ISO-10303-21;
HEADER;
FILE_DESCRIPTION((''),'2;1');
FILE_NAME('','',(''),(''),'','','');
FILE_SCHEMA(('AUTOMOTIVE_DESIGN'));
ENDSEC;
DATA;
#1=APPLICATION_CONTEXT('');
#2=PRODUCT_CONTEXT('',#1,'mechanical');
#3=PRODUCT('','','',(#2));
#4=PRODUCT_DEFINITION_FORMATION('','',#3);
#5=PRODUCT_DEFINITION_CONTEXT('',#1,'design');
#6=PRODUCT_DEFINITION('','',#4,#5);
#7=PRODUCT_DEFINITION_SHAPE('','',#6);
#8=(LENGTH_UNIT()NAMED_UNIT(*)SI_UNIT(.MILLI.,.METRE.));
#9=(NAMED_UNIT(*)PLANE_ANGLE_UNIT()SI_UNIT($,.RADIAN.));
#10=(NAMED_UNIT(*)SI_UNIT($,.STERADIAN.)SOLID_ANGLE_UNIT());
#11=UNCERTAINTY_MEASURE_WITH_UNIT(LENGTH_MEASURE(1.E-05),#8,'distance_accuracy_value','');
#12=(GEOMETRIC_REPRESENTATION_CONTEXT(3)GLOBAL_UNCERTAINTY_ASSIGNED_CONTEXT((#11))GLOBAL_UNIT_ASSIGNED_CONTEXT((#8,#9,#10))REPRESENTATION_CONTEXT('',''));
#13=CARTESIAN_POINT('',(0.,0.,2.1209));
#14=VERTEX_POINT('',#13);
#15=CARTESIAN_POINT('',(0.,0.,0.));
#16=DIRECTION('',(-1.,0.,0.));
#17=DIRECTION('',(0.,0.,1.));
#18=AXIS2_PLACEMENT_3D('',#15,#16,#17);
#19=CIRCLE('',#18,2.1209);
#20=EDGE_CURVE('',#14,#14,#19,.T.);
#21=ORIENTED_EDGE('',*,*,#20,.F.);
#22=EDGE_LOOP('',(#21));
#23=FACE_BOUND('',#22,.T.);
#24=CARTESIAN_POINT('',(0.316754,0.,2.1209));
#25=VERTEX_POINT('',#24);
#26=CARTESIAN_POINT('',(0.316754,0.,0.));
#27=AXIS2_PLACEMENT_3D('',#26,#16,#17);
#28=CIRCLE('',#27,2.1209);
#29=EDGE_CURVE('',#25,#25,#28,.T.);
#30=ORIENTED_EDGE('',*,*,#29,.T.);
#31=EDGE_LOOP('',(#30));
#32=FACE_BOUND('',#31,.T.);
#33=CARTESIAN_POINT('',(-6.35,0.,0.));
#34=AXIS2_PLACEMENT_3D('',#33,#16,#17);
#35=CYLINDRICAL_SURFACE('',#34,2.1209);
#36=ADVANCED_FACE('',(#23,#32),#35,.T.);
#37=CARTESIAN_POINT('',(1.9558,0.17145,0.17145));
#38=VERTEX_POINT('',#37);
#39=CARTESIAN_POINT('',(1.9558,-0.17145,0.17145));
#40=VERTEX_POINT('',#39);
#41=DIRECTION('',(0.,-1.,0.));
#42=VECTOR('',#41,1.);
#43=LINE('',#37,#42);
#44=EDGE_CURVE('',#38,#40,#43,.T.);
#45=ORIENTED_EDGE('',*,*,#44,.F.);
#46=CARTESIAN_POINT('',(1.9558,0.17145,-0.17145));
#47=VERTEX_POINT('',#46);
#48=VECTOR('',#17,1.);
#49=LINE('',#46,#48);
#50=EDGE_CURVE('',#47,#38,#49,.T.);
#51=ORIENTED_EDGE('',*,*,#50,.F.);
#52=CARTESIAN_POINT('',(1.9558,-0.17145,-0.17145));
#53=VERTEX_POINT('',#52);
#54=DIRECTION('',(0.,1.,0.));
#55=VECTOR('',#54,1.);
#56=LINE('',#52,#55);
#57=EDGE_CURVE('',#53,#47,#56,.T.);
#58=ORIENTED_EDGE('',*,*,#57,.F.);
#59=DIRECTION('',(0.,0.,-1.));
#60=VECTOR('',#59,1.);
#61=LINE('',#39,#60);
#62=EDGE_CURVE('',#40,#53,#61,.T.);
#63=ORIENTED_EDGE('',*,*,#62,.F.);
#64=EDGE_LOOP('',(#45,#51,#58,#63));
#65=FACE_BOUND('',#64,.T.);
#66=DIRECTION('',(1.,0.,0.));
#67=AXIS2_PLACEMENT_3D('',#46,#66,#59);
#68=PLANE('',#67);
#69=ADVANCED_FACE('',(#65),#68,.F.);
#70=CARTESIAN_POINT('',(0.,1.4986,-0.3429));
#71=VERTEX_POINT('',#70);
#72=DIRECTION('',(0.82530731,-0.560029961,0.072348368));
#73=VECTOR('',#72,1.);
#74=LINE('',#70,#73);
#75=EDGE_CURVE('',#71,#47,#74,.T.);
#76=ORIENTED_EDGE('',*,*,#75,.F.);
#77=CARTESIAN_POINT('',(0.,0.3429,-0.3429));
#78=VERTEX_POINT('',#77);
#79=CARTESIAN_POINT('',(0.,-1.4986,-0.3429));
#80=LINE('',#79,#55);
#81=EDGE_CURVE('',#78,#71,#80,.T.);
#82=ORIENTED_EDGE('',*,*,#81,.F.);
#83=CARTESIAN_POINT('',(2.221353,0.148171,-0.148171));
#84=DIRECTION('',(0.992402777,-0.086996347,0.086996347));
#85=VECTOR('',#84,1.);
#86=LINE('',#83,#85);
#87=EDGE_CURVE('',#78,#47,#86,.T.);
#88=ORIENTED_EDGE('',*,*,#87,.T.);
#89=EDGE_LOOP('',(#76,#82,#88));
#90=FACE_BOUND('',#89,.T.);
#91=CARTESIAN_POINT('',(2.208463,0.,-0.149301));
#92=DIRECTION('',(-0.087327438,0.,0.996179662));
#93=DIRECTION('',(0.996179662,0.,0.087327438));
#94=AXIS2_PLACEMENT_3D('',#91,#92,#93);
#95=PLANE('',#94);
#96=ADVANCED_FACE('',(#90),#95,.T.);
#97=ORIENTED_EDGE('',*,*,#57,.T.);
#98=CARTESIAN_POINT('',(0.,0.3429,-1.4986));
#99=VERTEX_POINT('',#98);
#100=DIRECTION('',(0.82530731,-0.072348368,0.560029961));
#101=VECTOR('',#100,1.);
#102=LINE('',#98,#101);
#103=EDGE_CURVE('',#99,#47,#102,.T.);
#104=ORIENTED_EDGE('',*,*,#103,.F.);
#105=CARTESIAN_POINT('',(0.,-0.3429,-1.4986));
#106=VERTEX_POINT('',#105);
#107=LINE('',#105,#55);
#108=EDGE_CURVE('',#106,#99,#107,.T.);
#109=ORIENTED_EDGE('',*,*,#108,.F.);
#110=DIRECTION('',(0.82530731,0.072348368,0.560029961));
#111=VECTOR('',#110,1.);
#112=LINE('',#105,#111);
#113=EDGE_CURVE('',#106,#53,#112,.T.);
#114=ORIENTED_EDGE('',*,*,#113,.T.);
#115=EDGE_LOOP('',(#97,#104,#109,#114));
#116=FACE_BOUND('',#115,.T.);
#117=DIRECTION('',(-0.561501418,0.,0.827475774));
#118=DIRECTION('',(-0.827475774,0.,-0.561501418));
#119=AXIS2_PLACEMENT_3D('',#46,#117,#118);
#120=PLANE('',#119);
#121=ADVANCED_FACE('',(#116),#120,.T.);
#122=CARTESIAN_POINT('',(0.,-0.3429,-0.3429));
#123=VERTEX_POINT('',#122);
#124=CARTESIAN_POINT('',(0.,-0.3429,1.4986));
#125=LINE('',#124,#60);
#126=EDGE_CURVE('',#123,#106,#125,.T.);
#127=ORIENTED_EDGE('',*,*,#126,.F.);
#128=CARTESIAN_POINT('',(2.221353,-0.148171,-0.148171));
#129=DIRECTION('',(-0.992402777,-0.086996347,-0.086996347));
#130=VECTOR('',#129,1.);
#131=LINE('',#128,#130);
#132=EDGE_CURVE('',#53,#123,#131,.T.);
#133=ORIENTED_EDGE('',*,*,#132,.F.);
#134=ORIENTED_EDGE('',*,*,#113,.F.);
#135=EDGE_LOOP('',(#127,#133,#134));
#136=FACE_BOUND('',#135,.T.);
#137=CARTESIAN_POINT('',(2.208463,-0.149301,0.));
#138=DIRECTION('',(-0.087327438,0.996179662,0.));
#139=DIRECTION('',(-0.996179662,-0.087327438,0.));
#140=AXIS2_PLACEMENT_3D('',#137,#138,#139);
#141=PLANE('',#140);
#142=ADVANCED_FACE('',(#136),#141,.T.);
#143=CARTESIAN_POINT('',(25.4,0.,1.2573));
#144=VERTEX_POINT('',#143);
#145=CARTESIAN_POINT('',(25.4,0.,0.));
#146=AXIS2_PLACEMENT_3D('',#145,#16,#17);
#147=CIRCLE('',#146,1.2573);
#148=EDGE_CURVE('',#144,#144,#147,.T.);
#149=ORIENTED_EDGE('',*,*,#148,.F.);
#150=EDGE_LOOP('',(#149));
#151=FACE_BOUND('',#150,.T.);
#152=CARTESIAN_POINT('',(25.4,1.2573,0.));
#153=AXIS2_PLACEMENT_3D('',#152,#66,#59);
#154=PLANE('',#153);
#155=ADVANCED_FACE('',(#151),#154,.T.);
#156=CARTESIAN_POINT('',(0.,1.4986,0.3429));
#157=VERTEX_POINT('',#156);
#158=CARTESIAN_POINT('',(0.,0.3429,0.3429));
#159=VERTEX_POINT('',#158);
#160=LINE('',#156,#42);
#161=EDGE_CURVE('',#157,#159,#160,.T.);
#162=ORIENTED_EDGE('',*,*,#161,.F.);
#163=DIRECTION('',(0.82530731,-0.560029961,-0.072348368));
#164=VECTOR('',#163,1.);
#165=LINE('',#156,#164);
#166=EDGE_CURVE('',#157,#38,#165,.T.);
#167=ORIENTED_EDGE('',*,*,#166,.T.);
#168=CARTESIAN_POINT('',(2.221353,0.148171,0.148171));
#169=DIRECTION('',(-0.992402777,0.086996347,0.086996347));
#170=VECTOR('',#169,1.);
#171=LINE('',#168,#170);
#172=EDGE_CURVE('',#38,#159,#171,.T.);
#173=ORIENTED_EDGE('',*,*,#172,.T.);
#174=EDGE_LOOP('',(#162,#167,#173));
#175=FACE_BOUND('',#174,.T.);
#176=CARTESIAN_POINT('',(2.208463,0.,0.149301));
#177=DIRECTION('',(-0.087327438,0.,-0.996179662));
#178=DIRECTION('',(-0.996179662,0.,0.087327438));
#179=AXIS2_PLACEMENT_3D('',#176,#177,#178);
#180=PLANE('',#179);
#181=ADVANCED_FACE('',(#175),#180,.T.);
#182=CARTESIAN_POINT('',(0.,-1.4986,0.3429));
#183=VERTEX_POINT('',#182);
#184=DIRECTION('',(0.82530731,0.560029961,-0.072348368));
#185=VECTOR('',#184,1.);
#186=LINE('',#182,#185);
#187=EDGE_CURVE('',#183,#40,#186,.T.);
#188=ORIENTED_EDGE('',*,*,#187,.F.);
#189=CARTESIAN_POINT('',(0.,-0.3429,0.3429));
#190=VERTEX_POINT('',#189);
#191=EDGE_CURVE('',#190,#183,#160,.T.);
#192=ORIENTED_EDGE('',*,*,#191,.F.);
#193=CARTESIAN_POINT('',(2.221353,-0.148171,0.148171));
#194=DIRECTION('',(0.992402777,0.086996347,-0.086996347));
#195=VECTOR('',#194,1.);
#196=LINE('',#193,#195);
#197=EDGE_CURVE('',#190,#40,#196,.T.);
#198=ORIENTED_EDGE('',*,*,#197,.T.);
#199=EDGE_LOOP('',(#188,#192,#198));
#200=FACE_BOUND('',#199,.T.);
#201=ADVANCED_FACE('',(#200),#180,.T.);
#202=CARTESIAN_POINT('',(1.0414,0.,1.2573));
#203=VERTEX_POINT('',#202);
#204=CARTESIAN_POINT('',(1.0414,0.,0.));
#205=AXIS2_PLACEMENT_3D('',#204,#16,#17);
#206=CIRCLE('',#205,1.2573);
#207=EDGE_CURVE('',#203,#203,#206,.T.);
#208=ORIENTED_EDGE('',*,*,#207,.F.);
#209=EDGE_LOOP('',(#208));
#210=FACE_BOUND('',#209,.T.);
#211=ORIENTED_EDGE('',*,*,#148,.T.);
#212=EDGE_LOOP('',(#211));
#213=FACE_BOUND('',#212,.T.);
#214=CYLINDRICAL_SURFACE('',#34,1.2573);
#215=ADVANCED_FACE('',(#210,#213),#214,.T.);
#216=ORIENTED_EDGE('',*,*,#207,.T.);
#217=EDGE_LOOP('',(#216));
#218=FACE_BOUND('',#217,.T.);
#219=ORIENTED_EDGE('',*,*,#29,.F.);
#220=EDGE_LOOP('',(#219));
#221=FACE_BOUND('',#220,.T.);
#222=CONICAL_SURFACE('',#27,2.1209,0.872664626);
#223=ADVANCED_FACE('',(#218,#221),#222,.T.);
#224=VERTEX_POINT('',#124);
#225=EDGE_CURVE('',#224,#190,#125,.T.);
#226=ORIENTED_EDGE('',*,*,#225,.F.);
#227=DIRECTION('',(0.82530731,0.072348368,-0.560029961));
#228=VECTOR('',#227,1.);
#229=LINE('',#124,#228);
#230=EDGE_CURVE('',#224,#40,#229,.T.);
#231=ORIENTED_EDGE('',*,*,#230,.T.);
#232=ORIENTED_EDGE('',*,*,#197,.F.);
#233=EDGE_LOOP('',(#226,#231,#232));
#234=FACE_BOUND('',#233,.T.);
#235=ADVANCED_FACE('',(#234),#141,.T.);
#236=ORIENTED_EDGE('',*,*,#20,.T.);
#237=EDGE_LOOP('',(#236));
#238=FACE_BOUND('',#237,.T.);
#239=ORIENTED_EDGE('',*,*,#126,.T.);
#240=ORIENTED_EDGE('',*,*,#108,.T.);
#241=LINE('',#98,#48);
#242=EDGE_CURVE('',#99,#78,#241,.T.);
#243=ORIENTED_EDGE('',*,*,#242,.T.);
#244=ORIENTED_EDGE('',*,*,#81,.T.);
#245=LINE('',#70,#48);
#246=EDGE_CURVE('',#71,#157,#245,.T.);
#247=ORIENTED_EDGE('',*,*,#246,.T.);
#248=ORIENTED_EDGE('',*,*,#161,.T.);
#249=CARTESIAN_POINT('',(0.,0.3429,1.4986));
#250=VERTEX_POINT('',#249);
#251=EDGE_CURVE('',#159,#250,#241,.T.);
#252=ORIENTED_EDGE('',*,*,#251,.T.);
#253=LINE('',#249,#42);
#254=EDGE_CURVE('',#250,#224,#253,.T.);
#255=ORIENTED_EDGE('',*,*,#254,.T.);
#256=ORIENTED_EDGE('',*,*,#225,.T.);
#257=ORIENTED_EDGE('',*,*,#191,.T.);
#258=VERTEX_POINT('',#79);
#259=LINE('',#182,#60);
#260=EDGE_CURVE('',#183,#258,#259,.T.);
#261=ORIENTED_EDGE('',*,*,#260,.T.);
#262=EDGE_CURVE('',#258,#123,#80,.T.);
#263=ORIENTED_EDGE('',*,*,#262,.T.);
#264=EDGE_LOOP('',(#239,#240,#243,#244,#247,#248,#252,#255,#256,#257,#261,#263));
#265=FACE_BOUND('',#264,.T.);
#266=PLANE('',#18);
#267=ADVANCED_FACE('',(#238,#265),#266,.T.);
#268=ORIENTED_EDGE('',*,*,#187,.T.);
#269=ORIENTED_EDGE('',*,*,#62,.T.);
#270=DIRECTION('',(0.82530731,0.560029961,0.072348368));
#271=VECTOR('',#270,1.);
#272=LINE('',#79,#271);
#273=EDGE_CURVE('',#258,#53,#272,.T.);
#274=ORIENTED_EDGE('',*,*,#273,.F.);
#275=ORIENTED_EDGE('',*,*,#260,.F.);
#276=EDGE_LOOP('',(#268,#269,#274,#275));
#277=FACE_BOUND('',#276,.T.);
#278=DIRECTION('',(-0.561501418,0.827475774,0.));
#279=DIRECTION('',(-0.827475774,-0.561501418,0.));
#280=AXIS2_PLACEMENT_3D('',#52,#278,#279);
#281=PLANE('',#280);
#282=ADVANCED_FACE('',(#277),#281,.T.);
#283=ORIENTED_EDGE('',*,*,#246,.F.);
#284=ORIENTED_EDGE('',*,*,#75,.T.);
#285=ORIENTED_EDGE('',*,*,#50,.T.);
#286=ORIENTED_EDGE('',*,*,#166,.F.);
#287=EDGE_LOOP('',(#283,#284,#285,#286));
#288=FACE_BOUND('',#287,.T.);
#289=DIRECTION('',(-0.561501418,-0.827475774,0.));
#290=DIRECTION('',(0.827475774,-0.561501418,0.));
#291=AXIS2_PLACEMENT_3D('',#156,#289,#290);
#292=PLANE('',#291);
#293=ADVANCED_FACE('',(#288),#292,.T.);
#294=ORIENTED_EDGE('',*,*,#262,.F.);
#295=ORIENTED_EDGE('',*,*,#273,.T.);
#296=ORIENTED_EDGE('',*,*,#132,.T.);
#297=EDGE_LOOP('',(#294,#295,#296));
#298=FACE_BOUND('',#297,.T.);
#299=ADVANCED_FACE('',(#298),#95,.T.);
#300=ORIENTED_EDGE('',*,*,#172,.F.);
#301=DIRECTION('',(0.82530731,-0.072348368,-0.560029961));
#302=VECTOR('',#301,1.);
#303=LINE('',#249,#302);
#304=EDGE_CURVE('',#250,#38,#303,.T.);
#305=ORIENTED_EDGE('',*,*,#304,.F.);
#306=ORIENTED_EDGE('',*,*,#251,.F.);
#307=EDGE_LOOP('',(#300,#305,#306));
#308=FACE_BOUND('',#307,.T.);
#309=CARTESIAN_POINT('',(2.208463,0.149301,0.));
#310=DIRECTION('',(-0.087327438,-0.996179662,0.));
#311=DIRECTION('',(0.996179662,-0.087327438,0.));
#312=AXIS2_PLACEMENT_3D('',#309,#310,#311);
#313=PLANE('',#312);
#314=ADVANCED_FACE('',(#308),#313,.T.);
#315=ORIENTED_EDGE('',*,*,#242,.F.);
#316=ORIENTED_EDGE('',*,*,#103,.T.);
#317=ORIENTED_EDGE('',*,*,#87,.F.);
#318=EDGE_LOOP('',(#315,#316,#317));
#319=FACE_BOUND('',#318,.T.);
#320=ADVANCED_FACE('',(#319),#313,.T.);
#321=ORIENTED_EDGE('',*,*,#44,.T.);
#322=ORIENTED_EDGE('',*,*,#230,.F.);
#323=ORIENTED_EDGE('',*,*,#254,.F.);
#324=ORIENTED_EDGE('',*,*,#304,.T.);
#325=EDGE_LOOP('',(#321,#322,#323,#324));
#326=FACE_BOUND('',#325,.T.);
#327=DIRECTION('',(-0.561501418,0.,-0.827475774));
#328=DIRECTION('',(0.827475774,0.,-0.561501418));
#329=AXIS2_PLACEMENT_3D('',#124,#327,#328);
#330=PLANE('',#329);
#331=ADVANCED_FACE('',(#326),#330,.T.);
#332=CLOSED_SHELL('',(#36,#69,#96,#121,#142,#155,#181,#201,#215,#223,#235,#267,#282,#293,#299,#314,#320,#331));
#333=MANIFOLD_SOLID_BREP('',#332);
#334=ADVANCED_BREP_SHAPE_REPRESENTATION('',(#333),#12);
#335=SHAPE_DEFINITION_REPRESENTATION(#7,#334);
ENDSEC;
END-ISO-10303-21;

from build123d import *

# Parameters (mm, degrees)
CIRPATTERN1_COUNT = 2
CIRPATTERN1_ANGLE = 90


with BuildPart() as part:
    # BodySke → Base-Revolve (revolve)
    with BuildSketch(Plane.XY, mode=Mode.PRIVATE) as base_revolve_sk:
        Polygon((0, 0), (0, 2.1209), (0.316753559, 2.1209), (1.0414, 1.2573), (25.4, 1.2573), (25.4, 0), align=None)
    revolve(base_revolve_sk.sketch.rotate(Axis((-6.35, 0, 0), (1, 0, 0)), 90), axis=Axis((-6.35, 0, 0), (1, 0, 0)))

    # Sketch3 → Cross section 0
    with BuildSketch(Plane.ZY):
        with BuildLine():
            Line((-0.3429, 1.4986), (0.3429, 1.4986))
            Line((0.3429, 1.4986), (0.3429, -1.4986))
            Line((0.3429, -1.4986), (-0.3429, -1.4986))
            Line((-0.3429, -1.4986), (-0.3429, 1.4986))
        make_face()
    # Sketch4 → Cross section 1
    with BuildSketch(Plane.ZY.offset(-1.9558)):
        with BuildLine():
            Line((-0.17145, 0.17145), (0.17145, 0.17145))
            Line((0.17145, 0.17145), (0.17145, -0.17145))
            Line((0.17145, -0.17145), (-0.17145, -0.17145))
            Line((-0.17145, -0.17145), (-0.17145, 0.17145))
        make_face()
    cross = loft(mode=Mode.SUBTRACT)

    # CirPattern1: Cross ×2 about axis
    cirpattern1_axis = Axis((0, 0, 0), (1, 0, 0))
    for i in range(1, CIRPATTERN1_COUNT):
        add(cross.rotate(cirpattern1_axis, i * CIRPATTERN1_ANGLE / (CIRPATTERN1_COUNT - 1)), mode=Mode.SUBTRACT)


solid = part.part
